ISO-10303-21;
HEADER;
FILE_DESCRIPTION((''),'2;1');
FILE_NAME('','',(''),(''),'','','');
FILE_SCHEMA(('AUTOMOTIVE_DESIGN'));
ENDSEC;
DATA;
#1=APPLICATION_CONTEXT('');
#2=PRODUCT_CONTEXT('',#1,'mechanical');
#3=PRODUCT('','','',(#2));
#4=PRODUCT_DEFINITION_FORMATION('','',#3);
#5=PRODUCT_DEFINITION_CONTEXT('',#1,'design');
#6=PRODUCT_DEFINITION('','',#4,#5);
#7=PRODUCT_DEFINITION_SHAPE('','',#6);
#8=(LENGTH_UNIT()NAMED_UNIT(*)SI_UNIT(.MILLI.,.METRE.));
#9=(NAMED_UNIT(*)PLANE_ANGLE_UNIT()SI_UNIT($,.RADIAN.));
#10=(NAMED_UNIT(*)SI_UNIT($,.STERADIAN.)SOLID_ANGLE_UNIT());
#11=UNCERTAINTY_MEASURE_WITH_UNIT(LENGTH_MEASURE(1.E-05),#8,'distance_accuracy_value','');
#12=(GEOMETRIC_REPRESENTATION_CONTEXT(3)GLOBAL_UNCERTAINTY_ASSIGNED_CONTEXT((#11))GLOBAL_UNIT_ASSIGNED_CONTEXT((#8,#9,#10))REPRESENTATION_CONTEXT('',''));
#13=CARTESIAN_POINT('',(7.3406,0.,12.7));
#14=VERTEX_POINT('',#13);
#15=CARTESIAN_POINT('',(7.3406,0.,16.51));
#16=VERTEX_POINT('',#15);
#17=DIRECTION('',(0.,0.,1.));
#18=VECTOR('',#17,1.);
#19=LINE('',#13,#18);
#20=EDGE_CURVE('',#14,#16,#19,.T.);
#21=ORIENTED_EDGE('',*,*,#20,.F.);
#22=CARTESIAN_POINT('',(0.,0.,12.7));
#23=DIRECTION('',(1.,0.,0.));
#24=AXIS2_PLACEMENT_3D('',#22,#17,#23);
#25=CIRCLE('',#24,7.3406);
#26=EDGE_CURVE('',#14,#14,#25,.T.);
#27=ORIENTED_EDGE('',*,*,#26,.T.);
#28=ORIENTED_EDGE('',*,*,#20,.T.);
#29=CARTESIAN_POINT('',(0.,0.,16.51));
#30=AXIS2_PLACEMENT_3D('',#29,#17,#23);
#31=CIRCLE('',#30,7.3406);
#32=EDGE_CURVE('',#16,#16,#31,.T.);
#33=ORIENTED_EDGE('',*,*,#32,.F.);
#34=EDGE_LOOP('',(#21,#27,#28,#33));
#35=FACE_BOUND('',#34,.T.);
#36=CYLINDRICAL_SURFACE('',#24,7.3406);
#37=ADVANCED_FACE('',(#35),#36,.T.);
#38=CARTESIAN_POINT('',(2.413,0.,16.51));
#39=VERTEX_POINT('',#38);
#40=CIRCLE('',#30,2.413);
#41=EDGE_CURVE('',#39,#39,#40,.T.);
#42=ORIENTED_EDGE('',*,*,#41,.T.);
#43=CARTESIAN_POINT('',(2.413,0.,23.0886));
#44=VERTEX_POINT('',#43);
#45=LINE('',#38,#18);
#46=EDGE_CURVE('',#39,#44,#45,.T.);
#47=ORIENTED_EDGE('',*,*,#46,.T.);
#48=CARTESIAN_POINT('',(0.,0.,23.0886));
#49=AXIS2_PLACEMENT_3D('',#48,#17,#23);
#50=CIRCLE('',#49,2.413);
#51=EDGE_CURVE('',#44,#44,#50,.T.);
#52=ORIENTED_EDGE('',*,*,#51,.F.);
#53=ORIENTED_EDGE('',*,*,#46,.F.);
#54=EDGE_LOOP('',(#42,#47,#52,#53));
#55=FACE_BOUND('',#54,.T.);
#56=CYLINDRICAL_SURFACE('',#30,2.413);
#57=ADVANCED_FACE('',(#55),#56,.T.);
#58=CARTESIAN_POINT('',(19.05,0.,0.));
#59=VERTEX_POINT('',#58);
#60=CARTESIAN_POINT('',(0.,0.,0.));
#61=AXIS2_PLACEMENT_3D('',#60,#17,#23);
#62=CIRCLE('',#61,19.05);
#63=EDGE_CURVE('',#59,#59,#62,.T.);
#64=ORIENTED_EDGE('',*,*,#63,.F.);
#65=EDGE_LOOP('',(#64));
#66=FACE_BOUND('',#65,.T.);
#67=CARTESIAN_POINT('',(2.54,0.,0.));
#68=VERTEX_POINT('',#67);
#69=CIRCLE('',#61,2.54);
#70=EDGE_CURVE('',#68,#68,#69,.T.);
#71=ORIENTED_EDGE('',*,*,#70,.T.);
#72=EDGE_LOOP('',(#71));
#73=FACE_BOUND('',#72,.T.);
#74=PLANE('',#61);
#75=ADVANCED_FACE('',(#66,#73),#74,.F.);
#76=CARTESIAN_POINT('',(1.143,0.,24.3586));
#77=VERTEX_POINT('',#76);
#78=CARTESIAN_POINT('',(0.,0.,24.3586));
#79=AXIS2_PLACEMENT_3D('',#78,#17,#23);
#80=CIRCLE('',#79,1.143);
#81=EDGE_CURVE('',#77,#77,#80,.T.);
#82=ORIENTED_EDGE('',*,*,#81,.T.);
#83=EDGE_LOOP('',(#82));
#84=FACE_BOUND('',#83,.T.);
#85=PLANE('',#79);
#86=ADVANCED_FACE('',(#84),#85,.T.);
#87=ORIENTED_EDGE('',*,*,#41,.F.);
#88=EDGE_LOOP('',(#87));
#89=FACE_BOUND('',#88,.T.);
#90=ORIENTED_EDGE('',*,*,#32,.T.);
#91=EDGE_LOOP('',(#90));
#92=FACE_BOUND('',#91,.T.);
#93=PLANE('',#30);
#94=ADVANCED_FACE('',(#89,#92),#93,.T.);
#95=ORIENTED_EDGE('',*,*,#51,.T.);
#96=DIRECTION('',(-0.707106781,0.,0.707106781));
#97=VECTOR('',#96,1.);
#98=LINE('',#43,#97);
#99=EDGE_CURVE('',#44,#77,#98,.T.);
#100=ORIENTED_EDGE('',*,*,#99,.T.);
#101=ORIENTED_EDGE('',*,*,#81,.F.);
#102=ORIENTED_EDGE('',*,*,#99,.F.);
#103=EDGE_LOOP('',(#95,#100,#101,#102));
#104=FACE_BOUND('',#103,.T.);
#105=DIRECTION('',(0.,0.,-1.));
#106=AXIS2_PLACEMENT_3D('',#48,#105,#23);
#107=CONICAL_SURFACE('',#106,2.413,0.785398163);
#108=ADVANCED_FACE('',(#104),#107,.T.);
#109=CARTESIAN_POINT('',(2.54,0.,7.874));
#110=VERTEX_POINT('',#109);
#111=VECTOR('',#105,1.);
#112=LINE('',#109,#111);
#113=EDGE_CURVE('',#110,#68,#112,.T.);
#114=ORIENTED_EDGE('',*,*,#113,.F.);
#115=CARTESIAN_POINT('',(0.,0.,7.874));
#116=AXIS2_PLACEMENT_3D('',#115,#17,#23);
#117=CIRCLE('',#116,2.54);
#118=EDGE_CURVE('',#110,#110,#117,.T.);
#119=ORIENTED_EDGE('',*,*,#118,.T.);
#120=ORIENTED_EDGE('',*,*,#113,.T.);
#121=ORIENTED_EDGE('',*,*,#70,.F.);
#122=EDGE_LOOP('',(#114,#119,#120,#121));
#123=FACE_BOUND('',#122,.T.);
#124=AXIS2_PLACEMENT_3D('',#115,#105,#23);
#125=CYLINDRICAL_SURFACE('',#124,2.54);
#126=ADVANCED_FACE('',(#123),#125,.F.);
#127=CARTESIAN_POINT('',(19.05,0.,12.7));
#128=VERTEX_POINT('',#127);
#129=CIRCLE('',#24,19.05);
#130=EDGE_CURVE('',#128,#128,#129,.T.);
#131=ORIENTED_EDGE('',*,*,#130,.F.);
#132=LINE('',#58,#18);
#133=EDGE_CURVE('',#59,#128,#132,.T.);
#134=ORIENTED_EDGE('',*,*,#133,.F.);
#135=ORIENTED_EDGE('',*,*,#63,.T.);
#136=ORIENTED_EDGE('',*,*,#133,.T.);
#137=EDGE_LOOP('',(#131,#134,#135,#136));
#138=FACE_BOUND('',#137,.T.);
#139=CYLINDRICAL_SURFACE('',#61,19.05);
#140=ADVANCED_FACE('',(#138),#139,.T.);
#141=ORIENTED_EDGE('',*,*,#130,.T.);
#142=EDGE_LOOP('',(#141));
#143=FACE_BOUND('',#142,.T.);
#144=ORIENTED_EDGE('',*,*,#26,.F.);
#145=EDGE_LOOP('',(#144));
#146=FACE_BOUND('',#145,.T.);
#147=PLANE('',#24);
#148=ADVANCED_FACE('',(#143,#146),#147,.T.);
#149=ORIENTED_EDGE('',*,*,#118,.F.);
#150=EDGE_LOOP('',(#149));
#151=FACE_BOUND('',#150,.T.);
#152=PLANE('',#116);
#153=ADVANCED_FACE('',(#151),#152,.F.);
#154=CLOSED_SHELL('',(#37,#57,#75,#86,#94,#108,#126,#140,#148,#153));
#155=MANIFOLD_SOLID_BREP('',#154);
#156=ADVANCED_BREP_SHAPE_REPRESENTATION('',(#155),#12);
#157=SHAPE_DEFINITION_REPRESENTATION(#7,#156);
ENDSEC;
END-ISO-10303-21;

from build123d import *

# Parameters (mm, degrees)
F2_SIZE = 1.27


with BuildPart() as f1:
    # F0 (on Front) → F1 (revolve)
    with BuildSketch(Plane.XZ):
        Polygon((2.54, 0), (19.05, 0), (19.05, 12.7), (7.3406, 12.7), (7.3406, 16.51), (2.413, 16.51), (2.413, 24.3586), (0, 24.3586), (0, 16.51), (0, 12.7), (0, 7.874), (2.54, 7.874), align=None)
    revolve(axis=Axis((0, 0, 14.605), (0, 0, 1)))

    # F2
    f2_edges = [f1.edges().sort_by_distance(p)[0] for p in [
        (-2.413, 0, 24.3586),
    ]]
    chamfer(f2_edges, length=F2_SIZE)


solid = f1.part
